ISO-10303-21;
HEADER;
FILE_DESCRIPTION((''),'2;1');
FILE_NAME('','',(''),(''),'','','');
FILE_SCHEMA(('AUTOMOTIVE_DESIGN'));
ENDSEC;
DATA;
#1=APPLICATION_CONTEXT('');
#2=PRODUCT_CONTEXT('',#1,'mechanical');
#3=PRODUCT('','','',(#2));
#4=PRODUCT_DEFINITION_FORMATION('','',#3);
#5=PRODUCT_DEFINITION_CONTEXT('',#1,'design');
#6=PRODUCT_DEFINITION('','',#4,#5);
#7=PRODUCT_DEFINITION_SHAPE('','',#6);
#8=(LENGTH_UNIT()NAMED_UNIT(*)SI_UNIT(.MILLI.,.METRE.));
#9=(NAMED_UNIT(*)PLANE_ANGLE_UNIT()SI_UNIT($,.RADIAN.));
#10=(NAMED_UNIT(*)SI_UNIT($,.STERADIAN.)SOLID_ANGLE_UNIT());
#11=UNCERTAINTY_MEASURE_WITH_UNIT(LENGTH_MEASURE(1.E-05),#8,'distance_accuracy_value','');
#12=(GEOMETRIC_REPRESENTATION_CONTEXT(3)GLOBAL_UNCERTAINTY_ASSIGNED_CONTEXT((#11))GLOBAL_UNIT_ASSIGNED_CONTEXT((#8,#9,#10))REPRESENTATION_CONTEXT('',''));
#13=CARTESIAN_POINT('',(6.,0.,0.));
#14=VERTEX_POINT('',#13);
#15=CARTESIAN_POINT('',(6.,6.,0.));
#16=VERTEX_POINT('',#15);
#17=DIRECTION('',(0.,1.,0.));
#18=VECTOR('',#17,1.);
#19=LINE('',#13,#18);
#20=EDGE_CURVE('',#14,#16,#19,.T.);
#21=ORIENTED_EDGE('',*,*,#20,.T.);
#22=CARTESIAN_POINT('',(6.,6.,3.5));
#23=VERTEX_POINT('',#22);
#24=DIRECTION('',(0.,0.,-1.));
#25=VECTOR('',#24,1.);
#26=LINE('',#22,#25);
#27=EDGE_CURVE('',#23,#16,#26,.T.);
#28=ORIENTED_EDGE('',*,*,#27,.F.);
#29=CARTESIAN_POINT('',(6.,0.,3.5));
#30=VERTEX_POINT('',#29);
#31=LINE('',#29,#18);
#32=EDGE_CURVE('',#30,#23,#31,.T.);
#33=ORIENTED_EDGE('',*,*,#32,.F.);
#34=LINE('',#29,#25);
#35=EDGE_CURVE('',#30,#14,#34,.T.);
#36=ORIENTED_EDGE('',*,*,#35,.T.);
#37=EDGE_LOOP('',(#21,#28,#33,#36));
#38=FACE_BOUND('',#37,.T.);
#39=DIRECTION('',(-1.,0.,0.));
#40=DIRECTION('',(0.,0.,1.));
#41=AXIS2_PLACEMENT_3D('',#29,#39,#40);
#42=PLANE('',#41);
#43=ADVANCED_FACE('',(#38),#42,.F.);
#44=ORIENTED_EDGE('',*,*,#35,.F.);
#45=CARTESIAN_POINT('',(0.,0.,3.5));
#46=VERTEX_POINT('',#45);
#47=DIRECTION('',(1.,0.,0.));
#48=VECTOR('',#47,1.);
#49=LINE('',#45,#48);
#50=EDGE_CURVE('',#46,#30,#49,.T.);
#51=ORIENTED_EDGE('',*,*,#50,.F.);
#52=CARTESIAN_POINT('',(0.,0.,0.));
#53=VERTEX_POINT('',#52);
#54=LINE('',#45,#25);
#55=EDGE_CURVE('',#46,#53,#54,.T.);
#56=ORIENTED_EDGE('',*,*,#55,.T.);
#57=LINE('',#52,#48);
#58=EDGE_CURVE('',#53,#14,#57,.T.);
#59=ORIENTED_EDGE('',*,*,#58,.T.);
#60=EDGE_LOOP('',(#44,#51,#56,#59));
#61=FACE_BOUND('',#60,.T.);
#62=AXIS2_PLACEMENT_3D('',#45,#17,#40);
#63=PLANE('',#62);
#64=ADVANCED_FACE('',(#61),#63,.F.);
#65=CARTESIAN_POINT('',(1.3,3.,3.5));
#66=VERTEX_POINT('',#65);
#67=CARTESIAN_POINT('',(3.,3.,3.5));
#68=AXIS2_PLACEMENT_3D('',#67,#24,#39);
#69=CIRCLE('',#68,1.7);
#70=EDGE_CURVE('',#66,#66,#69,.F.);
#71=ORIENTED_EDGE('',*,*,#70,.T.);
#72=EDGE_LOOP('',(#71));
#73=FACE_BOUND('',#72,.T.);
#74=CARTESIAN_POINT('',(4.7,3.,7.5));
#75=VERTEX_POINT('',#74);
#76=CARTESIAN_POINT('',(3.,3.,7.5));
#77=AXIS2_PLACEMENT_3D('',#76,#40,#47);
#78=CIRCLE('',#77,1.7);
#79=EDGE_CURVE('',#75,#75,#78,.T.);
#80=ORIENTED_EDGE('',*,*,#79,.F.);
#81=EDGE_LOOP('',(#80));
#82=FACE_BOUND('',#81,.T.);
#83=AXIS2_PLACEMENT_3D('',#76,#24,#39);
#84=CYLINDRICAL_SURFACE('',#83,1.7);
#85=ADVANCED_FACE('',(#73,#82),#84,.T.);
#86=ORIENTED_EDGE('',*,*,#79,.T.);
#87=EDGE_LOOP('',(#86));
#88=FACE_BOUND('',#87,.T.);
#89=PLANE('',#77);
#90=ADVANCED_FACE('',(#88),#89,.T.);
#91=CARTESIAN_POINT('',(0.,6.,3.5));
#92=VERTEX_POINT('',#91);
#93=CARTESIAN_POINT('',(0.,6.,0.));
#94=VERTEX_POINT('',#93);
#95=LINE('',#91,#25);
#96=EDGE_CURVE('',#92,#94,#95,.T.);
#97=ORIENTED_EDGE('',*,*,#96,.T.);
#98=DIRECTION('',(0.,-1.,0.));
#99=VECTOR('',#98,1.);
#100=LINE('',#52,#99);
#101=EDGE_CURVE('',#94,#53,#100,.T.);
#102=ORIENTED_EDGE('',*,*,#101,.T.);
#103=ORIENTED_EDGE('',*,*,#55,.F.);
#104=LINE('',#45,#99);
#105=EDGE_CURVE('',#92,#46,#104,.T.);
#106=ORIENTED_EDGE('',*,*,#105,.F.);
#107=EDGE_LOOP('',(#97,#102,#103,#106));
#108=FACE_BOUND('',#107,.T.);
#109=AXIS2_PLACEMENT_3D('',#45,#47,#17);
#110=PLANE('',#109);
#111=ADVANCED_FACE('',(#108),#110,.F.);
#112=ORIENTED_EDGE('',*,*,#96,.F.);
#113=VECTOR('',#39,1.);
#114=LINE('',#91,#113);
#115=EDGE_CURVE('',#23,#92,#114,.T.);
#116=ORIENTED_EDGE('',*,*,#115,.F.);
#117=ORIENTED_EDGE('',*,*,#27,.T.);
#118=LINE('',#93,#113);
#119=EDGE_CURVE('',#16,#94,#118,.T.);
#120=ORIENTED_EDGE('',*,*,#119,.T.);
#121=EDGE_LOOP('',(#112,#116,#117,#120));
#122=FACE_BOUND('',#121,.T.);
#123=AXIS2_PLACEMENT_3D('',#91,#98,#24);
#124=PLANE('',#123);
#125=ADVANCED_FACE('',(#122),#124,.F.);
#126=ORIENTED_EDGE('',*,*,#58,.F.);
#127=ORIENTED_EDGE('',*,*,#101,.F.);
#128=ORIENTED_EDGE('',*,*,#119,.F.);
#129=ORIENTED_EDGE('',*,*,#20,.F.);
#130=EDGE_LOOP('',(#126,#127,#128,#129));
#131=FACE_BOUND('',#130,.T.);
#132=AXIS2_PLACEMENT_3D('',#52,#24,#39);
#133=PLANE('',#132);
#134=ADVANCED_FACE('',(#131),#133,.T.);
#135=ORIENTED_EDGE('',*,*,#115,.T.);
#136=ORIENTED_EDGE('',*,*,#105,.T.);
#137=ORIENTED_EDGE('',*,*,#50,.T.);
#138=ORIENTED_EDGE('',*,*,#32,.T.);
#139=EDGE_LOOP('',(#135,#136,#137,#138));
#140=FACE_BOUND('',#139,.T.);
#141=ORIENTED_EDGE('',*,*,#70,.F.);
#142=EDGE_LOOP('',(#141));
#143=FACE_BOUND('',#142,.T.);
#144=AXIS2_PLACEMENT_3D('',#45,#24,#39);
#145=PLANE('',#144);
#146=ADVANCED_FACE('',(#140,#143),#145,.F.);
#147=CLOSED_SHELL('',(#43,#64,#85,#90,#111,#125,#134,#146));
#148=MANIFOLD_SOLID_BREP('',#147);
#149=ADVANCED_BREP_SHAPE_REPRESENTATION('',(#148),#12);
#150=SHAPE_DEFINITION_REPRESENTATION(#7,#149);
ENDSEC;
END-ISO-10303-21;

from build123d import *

# Parameters (mm, degrees)
SKETCH1_W           = 6
SKETCH1_H           = 6
BOSS_EXTRUDE1_DEPTH = 3.5
SKETCH2_R           = 1.7
BOSS_EXTRUDE2_DEPTH = 4


with BuildPart() as part:
    # Sketch1 → Boss-Extrude1 (new body)
    with BuildSketch(Plane.XY):
        with Locations((3, 3)):
            Rectangle(SKETCH1_W, SKETCH1_H)
    extrude(amount=BOSS_EXTRUDE1_DEPTH)

    # Sketch2 → Boss-Extrude2 (add)
    with BuildSketch(Plane.XY.offset(3.5)):
        with Locations((3, 3)):
            Circle(SKETCH2_R)
    extrude(amount=BOSS_EXTRUDE2_DEPTH)


solid = part.part
